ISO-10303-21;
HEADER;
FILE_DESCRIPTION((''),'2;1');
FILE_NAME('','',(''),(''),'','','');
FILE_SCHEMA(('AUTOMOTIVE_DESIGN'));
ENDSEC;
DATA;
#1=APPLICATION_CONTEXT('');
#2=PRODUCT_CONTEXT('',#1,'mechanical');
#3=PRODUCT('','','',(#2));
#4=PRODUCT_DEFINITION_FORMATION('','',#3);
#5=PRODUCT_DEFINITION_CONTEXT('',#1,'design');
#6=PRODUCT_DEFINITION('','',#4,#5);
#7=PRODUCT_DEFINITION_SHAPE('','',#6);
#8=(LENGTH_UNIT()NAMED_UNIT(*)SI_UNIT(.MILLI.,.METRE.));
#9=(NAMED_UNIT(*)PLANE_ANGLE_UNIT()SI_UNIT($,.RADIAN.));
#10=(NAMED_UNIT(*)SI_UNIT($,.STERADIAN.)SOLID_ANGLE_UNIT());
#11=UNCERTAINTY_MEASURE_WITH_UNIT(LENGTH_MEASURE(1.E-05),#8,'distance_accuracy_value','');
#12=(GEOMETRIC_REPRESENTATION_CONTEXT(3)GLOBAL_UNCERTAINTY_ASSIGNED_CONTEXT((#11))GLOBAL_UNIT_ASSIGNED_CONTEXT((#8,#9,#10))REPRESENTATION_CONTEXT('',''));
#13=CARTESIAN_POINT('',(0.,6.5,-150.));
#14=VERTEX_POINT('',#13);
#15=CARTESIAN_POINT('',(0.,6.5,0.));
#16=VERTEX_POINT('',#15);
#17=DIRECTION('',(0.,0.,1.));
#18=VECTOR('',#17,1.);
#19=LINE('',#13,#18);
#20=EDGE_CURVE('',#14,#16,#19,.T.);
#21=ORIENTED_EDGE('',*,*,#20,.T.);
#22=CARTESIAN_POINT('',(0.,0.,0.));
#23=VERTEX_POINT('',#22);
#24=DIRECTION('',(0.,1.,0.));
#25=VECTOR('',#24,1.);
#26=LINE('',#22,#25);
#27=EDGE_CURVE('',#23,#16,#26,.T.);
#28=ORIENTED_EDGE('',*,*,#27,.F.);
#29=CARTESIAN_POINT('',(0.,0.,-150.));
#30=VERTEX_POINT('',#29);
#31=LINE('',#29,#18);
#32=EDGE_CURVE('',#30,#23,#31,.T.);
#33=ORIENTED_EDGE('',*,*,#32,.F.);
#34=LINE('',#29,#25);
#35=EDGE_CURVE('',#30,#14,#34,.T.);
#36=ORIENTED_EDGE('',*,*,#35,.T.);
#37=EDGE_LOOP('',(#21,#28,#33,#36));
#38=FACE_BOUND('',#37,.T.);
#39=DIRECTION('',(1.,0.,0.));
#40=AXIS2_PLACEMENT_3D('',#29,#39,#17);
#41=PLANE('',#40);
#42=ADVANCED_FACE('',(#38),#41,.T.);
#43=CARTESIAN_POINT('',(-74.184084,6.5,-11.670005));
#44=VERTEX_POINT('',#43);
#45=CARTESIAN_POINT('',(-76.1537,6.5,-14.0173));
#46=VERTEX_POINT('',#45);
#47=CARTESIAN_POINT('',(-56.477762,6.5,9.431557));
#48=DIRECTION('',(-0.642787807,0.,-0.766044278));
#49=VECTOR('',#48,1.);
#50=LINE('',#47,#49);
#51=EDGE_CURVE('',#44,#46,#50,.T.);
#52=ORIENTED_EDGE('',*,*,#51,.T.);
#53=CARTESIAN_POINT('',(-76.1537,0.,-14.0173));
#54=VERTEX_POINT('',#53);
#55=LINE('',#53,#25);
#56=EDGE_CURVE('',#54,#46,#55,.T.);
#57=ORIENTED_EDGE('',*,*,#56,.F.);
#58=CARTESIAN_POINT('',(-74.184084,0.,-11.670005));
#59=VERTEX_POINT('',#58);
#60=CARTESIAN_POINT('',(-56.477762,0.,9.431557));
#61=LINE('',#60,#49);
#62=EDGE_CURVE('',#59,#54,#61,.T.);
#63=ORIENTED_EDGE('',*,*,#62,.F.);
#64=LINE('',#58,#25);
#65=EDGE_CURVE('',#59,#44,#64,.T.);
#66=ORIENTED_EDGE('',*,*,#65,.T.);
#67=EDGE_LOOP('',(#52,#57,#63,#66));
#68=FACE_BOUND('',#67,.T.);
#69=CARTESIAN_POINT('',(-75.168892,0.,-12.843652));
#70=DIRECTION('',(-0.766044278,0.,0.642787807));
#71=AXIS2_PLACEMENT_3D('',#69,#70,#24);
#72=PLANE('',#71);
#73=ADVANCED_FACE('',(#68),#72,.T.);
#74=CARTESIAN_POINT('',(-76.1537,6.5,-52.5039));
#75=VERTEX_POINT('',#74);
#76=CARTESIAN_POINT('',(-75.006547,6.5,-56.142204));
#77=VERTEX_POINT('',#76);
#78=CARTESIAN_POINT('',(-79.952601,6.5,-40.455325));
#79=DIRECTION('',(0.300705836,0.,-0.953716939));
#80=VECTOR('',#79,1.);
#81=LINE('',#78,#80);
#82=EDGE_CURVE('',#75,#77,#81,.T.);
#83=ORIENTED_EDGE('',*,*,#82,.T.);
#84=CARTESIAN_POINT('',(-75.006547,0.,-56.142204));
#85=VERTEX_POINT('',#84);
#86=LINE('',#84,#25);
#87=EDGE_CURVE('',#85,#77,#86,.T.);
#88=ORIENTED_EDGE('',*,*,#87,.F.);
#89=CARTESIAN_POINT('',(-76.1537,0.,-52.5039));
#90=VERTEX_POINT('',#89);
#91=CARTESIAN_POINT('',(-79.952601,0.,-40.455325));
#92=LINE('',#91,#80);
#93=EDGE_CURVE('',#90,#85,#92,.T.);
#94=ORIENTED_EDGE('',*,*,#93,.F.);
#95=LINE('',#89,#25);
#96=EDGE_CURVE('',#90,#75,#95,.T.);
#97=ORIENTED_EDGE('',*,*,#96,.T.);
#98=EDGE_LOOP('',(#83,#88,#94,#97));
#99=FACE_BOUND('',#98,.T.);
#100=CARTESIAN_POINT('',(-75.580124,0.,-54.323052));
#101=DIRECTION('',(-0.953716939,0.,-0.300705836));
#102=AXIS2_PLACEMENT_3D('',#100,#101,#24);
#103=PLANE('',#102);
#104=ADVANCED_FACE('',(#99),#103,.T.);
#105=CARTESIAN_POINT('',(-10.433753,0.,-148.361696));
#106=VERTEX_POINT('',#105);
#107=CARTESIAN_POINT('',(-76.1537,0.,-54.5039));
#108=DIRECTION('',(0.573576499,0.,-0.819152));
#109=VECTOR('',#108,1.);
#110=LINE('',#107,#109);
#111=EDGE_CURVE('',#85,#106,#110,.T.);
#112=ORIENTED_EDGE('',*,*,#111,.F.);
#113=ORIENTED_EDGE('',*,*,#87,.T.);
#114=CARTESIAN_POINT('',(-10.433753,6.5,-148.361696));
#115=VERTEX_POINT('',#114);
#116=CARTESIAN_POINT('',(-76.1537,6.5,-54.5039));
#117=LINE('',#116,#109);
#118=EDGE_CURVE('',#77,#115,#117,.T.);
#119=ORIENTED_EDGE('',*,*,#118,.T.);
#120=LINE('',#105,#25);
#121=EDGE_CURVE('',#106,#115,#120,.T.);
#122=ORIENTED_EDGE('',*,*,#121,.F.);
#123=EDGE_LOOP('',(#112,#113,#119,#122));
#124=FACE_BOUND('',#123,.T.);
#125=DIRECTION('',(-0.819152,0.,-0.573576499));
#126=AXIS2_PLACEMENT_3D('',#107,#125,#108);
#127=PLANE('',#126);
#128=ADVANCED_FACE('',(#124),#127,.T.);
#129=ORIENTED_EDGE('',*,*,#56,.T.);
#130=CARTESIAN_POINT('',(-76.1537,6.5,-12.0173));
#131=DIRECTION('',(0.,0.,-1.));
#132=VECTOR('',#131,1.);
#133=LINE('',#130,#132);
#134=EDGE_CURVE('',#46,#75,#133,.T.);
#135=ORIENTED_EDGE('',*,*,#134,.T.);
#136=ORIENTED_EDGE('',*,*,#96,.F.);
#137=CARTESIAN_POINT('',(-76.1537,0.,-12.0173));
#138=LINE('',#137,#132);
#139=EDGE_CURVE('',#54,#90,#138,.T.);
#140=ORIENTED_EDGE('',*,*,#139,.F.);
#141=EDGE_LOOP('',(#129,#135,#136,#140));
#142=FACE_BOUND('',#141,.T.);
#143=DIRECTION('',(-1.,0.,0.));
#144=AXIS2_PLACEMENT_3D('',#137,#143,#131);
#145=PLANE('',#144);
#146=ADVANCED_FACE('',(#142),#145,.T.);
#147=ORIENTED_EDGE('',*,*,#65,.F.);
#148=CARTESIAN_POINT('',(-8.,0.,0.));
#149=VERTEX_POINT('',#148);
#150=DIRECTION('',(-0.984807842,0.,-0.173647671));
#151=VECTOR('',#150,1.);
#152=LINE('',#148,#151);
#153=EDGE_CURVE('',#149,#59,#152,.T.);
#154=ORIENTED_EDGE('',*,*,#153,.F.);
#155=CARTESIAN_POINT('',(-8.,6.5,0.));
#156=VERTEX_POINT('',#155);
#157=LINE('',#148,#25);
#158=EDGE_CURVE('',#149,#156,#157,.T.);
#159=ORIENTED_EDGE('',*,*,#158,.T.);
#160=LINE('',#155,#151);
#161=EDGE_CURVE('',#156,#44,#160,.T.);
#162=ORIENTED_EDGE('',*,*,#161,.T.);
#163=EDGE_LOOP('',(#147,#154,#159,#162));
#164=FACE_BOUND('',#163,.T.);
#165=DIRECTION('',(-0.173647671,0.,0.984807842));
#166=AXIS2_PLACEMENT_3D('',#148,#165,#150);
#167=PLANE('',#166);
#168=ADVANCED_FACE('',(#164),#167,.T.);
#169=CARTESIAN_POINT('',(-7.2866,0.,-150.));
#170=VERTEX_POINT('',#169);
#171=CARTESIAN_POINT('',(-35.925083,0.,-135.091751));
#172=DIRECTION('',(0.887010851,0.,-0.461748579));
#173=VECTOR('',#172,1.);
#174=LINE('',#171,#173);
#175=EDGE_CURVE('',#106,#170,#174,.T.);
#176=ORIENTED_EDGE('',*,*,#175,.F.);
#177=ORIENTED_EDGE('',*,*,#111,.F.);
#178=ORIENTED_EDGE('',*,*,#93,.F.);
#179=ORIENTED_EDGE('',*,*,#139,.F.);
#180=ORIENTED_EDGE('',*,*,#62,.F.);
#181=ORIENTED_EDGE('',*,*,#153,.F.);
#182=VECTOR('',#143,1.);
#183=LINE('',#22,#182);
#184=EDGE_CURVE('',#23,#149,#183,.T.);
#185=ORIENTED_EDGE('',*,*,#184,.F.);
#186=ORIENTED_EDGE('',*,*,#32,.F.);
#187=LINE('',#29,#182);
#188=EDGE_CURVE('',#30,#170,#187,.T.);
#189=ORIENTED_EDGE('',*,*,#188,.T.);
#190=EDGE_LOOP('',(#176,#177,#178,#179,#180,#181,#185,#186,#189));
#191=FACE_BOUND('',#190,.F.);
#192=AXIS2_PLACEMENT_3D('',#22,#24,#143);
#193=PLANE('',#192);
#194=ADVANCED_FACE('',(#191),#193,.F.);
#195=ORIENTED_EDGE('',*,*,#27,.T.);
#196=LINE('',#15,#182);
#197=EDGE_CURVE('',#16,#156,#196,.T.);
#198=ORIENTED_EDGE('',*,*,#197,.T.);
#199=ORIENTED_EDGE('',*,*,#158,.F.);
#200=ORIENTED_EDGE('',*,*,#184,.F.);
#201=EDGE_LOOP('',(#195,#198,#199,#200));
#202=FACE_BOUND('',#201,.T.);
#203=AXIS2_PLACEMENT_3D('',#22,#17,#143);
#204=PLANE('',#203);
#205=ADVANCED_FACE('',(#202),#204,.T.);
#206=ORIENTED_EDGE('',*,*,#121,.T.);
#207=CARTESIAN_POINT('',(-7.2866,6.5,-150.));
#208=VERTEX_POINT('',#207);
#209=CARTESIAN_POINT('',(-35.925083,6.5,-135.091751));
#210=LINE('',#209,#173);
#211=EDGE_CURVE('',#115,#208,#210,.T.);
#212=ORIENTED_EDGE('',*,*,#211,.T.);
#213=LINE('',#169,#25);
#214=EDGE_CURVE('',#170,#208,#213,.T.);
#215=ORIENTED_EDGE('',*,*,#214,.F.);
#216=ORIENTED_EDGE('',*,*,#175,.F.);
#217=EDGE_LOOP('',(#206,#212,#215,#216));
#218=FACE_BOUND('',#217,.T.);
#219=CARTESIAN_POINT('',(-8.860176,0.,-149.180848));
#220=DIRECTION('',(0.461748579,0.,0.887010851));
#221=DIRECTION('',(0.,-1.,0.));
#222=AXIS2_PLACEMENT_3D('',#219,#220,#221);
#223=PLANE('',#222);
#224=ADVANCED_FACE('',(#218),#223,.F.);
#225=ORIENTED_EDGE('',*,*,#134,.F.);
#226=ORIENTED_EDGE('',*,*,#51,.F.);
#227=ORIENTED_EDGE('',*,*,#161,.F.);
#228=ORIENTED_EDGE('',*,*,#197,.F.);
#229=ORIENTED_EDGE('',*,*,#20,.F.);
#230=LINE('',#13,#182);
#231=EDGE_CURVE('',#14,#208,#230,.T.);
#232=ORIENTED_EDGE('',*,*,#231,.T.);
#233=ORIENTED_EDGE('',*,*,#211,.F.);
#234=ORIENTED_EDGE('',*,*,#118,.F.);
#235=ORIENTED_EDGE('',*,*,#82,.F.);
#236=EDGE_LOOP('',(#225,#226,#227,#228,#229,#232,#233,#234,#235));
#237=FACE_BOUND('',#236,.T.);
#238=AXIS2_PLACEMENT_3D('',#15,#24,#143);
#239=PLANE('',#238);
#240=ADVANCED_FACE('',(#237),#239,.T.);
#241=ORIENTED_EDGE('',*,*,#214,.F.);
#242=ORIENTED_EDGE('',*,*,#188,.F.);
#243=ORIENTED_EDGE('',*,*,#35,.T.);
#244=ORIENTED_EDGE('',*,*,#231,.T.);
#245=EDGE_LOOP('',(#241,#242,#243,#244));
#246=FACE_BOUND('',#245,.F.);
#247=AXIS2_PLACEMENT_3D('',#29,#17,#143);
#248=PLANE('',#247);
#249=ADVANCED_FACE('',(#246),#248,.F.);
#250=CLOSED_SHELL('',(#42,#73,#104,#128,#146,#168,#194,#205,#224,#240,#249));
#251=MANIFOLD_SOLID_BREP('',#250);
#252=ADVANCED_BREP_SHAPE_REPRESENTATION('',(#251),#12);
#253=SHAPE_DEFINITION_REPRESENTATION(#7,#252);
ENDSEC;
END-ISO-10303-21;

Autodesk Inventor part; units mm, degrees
ref_plane "YZ Plane" through (0, 0, 0) normal (1, 0, 0) x (0, 1, 0)
ref_plane "XZ Plane" through (0, 0, 0) normal (0, 1, 0) x (-1, 0, 0)
ref_plane "XY Plane" through (0, 0, 0) normal (0, 0, 1) x (1, 0, 0)
sketch "Sketch1" plane through (0, 0, 0) normal (0, 1, 0) x (-1, 0, 0)
  line L0 (8, 0) -> (76.1537, -12.0173)
  line L1 (76.1537, -12.0173) -> (76.1537, -54.5039)
  line L2 (76.1537, -54.5039) -> (9.2866, -150)
  line L3 (0, -150) -> (0, 0)
  line L4 (75.1537, -50.7018) -> (69.8292, -46.9735) construction
  line L5 (69.8292, -46.9735) -> (1, -145.2718) construction
  line L6 (1, -145.2718) -> (6.3245, -149) construction
  line L7 (6.3245, -149) -> (75.1537, -50.7018) construction
  line L8 (75.1537, -14.8873) -> (74.0249, -21.2885) construction
  line L9 (74.0249, -21.2885) -> (1, -8.4123) construction
  line L10 (1, -8.4123) -> (2.1287, -2.011) construction
  line L11 (2.1287, -2.011) -> (75.1537, -14.8873) construction
  line L12 (73.1537, -45.9735) -> (66.6537, -45.9735) construction
  line L13 (66.6537, -45.9735) -> (66.6537, -22.2885) construction
  line L14 (66.6537, -22.2885) -> (73.1537, -22.2885) construction
  line L15 (73.1537, -22.2885) -> (73.1537, -45.9735) construction
  line L16 (0, -150) -> (9.2866, -150)
  line L17 (0, 0) -> (8, 0)
  line L18 (66.6537, -51.5086) -> (66.6537, -19.9888)
  point P0 (0, 0)
  dimension "d0" = 6.5
  dimension "d1" = 3
  dimension "d2" = 3
  dimension "d3" = 3
  dimension "d4" = 120
  dimension "d5" = 80
  dimension "d6" = 35
  dimension "d7" = 1
  dimension "d8" = 1
  dimension "d9" = 1
  dimension "d10" = 1
  dimension "d12" = 1
  dimension "d13" = 8
  dimension "d14" = 150
extrude "Extrusion1" add sketch "Sketch1" along normal blind 6.5
chamfer "Chamfer1" distance 2 angle 45 3 edges at (-76.1537, 3.25, -54.5039) (-76.1537, 3.25, -12.0173) (-9.2866, 3.25, -150)
properties part number "front_panel_brace_right"
